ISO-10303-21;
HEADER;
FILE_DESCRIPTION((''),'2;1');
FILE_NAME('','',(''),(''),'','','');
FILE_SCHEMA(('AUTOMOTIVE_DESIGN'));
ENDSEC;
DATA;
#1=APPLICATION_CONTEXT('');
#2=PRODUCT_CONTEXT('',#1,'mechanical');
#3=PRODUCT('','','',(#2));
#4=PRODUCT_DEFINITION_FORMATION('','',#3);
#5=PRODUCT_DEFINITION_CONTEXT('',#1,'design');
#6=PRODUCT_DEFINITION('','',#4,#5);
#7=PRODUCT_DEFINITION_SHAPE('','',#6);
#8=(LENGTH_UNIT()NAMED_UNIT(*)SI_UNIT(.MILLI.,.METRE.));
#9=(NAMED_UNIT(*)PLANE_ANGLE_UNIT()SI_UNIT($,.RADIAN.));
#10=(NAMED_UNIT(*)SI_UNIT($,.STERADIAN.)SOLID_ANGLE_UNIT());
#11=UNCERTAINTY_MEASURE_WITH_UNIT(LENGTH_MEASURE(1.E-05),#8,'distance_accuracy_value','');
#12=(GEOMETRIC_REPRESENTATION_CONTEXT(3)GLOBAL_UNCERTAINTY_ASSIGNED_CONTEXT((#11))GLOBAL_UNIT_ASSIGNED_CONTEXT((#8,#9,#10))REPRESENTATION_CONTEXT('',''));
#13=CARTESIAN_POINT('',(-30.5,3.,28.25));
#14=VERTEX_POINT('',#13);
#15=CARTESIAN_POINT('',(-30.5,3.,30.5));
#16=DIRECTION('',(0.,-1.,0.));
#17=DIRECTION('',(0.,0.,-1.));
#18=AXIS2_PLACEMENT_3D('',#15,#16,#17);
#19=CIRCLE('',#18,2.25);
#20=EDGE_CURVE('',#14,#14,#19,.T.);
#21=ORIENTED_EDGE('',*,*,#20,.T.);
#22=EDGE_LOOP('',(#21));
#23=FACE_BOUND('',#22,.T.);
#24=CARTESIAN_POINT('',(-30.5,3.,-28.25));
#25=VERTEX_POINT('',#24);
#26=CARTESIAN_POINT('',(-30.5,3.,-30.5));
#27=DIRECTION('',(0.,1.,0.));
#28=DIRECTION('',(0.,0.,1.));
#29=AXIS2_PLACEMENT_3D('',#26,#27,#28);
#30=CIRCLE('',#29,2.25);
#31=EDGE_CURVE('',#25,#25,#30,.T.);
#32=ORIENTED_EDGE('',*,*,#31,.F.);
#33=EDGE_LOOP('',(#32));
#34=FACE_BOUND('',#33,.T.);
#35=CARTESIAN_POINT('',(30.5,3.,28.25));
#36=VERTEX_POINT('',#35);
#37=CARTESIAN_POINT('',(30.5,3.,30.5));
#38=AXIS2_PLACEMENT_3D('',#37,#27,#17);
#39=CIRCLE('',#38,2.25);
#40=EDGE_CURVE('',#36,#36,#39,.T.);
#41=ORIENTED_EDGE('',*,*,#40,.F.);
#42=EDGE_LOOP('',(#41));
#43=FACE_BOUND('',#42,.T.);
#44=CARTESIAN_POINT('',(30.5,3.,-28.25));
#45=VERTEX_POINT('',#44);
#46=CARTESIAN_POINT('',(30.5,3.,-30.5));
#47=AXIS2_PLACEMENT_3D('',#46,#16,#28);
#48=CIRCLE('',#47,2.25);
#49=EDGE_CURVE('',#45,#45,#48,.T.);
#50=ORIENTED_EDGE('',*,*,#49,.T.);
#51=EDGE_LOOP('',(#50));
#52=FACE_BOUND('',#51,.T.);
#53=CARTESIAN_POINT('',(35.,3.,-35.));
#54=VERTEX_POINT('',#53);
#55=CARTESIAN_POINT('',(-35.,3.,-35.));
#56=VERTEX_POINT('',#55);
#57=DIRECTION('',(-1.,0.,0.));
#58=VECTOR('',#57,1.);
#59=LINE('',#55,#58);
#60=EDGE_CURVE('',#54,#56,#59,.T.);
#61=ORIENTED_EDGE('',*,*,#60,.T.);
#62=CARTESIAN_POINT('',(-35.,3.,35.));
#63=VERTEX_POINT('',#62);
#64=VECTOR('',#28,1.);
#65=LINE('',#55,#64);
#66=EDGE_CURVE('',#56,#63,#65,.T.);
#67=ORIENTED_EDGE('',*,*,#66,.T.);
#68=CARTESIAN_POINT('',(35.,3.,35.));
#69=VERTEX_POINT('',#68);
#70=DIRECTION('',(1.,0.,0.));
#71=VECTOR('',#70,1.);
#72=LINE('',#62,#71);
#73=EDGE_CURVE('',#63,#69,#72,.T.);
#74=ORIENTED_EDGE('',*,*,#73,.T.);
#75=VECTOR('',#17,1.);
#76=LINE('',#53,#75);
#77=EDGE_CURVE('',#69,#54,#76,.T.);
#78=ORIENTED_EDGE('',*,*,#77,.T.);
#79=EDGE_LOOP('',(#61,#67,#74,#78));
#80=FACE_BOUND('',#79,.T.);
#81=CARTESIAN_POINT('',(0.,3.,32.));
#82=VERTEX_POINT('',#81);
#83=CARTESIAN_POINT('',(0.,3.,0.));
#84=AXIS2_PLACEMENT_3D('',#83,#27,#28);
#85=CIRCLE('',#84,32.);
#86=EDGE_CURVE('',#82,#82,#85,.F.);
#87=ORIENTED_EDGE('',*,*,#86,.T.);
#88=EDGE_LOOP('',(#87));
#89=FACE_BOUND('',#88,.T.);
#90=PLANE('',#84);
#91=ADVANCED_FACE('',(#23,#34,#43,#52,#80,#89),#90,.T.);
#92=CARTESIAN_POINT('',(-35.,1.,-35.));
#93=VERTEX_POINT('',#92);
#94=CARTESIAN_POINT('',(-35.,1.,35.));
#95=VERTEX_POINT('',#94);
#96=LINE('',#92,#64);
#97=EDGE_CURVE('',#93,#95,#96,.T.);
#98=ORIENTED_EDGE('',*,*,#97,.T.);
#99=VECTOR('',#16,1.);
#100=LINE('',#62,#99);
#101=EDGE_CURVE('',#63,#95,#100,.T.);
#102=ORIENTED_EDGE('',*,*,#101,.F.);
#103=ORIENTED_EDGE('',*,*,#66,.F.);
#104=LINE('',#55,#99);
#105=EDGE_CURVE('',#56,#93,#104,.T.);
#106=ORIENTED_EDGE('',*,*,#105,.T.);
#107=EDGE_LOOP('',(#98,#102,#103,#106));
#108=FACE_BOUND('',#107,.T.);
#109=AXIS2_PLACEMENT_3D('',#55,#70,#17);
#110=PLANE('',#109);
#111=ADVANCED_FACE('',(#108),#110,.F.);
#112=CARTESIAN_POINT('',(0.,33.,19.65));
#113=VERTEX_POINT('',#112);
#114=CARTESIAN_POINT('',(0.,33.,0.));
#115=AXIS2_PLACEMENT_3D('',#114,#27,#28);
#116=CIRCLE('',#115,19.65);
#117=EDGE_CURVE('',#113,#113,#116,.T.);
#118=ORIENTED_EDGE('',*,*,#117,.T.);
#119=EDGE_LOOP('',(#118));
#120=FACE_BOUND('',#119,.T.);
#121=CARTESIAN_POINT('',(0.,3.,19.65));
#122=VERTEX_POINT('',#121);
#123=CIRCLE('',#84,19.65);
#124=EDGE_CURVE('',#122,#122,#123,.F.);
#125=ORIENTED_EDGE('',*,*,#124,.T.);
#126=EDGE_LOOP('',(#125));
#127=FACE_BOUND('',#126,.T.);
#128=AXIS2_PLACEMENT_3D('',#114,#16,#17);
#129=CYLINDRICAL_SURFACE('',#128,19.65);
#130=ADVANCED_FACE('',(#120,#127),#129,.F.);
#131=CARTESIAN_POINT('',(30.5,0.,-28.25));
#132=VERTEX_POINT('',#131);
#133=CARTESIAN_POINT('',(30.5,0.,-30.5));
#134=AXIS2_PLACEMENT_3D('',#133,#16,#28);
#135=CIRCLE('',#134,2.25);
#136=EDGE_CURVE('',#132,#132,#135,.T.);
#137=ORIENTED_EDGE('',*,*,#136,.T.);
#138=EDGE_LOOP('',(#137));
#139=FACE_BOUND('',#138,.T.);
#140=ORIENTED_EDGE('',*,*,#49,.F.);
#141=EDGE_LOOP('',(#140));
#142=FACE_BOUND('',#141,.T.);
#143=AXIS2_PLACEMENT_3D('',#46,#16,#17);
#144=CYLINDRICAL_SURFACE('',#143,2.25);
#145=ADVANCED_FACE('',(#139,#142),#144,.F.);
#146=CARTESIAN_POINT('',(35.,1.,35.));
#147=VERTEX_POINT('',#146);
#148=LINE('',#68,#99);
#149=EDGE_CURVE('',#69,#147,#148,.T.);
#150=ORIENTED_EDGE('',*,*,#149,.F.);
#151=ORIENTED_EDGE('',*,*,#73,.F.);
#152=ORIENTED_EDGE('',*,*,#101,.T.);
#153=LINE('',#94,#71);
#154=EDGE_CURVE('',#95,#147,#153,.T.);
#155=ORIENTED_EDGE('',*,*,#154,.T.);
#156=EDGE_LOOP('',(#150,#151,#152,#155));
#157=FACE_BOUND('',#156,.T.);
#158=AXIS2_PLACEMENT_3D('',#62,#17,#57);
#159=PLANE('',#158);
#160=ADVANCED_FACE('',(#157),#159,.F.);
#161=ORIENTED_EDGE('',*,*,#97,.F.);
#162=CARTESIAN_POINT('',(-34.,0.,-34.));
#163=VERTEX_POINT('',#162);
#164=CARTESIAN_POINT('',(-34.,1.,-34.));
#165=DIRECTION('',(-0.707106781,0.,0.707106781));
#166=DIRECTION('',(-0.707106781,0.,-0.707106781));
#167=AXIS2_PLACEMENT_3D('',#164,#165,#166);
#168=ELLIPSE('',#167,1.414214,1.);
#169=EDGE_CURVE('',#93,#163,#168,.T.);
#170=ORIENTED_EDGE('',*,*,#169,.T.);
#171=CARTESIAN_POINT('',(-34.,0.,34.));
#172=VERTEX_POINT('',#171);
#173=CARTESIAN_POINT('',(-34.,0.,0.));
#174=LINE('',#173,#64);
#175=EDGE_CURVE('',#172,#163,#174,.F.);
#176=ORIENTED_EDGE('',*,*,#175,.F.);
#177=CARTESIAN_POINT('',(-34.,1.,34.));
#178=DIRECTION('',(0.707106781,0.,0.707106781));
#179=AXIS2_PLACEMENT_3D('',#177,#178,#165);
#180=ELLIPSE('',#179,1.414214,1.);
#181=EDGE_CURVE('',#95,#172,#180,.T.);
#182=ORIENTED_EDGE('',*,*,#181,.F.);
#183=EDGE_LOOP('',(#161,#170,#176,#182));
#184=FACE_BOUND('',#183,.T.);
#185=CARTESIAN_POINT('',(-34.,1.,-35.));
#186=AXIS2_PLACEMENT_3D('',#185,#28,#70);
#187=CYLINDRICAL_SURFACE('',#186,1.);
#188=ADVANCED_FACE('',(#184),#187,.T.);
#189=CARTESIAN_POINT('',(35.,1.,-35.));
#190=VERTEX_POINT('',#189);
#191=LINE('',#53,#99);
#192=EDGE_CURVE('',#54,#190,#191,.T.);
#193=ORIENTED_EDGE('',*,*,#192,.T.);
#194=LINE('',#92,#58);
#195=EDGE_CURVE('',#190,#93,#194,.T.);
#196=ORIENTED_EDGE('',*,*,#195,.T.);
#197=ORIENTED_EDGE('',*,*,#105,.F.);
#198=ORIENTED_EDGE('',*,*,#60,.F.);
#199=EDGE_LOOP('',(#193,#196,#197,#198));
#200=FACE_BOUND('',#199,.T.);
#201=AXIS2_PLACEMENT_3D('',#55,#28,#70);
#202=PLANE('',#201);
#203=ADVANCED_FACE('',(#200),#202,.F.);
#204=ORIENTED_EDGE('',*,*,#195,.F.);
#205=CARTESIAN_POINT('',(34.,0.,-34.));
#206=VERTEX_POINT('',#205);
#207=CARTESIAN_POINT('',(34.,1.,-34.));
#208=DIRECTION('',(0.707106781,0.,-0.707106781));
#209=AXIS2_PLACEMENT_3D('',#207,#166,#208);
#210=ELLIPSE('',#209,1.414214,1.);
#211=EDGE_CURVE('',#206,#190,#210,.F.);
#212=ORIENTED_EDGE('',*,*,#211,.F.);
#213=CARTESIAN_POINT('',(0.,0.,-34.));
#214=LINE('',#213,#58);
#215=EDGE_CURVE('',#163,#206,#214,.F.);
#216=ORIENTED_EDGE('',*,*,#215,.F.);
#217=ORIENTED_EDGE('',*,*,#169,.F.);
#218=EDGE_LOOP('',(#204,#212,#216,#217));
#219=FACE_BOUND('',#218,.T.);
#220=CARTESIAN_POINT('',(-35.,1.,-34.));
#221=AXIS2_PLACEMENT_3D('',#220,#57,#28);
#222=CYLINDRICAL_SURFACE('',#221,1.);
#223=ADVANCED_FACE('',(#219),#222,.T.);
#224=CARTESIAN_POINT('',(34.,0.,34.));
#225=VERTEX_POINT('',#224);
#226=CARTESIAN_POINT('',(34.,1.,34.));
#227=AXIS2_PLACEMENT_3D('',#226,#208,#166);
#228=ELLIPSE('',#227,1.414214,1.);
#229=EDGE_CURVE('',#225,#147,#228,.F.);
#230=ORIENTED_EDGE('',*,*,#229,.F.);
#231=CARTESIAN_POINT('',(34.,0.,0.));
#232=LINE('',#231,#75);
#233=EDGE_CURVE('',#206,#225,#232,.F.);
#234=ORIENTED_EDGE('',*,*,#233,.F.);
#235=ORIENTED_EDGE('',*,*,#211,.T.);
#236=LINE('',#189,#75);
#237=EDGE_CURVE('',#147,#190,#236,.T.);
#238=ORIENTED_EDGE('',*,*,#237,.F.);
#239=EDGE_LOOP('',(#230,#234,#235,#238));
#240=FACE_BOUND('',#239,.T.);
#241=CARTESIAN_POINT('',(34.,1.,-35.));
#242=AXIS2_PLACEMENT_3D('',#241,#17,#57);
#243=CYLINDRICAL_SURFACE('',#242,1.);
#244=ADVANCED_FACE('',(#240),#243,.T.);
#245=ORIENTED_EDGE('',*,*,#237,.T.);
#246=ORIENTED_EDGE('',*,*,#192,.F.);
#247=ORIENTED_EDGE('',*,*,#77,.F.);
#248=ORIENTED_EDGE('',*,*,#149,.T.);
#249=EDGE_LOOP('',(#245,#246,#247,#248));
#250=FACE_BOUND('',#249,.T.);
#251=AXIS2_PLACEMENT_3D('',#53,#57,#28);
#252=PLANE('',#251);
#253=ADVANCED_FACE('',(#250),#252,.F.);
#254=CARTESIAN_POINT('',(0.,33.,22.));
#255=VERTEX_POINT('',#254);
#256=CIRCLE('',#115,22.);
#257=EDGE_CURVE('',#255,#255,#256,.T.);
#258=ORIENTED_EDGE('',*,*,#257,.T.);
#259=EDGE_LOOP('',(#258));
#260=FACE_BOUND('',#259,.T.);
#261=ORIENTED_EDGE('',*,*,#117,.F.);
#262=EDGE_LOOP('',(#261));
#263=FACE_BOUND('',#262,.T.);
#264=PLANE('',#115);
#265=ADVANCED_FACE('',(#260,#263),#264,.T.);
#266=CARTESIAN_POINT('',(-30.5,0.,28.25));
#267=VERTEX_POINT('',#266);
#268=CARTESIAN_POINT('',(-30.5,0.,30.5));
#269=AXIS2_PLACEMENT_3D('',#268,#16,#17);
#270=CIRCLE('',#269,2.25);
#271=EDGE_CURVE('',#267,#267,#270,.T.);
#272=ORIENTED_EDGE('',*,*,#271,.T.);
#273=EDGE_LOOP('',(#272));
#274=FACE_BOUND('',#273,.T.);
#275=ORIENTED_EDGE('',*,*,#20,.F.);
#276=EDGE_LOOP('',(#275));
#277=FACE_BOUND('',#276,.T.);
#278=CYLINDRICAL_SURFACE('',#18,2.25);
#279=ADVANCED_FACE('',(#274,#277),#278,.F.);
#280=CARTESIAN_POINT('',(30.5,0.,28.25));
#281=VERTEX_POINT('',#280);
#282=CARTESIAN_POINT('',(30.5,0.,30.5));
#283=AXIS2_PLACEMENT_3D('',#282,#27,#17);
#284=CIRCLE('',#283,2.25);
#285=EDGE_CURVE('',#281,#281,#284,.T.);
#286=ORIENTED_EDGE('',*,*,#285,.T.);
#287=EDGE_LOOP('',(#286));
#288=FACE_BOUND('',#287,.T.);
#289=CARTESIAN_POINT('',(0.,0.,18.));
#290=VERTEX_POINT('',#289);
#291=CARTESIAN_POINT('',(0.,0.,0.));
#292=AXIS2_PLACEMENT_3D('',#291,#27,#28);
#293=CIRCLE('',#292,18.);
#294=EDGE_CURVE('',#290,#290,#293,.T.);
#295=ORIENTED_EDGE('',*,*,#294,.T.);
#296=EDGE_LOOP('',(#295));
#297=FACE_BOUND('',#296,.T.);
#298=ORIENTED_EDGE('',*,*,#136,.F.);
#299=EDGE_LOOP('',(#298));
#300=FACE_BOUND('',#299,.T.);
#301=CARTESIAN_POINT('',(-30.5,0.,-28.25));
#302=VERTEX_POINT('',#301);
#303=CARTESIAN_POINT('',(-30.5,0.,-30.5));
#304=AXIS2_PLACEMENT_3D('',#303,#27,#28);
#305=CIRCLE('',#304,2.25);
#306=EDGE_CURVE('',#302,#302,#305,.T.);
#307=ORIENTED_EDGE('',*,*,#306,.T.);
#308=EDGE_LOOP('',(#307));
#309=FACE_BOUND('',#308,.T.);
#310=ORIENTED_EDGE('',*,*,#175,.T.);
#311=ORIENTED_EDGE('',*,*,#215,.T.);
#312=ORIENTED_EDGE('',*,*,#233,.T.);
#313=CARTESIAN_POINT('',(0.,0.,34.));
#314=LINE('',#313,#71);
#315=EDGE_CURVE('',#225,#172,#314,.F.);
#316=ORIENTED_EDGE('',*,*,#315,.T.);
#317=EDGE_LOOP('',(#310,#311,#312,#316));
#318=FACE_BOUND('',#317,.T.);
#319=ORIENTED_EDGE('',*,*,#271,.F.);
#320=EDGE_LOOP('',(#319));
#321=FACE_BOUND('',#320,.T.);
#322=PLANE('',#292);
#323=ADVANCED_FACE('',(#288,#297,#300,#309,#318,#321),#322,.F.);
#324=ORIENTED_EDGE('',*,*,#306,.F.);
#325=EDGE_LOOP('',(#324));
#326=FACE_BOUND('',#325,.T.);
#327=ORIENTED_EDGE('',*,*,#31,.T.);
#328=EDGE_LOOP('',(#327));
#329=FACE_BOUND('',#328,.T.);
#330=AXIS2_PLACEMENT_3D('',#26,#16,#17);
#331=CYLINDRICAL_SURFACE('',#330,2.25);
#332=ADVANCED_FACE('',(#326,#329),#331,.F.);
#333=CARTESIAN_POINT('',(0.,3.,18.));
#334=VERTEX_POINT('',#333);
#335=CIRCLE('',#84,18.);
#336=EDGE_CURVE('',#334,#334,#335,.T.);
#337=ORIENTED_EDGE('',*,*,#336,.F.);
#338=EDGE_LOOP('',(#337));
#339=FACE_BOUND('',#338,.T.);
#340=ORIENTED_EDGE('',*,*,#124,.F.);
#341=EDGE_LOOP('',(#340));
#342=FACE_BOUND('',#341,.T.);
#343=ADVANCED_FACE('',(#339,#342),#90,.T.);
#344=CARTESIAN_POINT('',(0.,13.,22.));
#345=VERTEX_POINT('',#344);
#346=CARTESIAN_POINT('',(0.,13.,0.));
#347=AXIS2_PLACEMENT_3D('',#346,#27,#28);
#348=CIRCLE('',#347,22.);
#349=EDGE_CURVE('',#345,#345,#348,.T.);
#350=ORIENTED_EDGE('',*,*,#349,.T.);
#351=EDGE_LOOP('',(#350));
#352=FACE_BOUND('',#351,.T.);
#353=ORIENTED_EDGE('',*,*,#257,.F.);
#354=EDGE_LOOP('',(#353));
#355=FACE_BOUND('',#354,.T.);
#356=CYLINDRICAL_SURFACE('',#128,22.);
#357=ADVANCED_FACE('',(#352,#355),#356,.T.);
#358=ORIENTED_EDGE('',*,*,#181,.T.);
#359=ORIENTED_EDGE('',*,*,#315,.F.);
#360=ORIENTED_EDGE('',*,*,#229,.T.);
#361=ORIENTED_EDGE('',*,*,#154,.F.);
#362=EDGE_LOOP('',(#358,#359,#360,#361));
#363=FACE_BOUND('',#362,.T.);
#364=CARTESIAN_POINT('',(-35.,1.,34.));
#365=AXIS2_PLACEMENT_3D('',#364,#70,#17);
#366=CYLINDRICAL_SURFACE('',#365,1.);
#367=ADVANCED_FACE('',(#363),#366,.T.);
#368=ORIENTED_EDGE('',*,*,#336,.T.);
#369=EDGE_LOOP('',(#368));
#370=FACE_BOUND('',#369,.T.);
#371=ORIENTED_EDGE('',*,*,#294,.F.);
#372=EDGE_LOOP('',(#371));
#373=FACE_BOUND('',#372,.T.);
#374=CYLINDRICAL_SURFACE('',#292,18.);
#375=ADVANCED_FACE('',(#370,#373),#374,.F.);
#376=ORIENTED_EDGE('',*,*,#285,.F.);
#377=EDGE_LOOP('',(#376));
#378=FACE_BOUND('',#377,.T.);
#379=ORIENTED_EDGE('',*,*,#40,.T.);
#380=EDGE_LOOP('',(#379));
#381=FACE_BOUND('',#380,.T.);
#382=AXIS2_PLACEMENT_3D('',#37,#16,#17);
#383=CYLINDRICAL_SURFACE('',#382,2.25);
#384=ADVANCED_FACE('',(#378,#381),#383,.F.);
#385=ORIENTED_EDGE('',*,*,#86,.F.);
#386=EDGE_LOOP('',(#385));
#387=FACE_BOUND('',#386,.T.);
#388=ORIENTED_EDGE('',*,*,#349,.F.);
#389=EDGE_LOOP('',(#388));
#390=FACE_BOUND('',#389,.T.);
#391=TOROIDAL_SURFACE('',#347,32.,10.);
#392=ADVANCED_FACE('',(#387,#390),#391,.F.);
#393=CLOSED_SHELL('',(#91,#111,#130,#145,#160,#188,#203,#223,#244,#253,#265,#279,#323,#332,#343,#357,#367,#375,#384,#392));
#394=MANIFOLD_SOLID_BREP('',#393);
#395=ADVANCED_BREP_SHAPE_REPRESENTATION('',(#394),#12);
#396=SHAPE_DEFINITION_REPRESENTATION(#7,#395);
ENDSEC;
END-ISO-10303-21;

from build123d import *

# Parameters (mm, degrees)
SKETCH1_W                                  = 70
SKETCH1_H                                  = 70
BOSS_EXTRUDE1_DEPTH                        = 3
SKETCH2_R                                  = 18
CUT_EXTRUDE1_DEPTH                         = 3
SKETCH3_R                                  = 22
SKETCH3_R_2                                = 19.65
BOSS_EXTRUDE2_DEPTH                        = 30
FILLET1_R                                  = 10
SKETCH4_R                                  = 2.25
CUT_EXTRUDE2_DEPTH                         = 3
MIRROR1_AT_THE_SECOND_PLANE_COPY_1_SKETC_R = 2.25
MIRROR1_AT_THE_SECOND_PLANE_COPY_1_DEPTH   = 3
FILLET4_R                                  = 1


with BuildPart() as part:
    # Sketch1 → Boss-Extrude1 (new body)
    with BuildSketch(Plane(origin=(0, 0, 0), x_dir=(1, 0, 0), z_dir=(0, 1, 0))):
        Rectangle(SKETCH1_W, SKETCH1_H)
    extrude(amount=BOSS_EXTRUDE1_DEPTH)

    # Sketch2 → Cut-Extrude1 (cut)
    with BuildSketch(Plane(origin=(0, 3, 0), x_dir=(1, 0, 0), z_dir=(0, 1, 0))):
        Circle(SKETCH2_R)
    extrude(amount=-CUT_EXTRUDE1_DEPTH, mode=Mode.SUBTRACT)

    # Sketch3 → Boss-Extrude2 (add)
    with BuildSketch(Plane(origin=(0, 3, 0), x_dir=(1, 0, 0), z_dir=(0, 1, 0))):
        Circle(SKETCH3_R)
        Circle(SKETCH3_R_2, mode=Mode.SUBTRACT)
    extrude(amount=BOSS_EXTRUDE2_DEPTH)

    # Fillet1
    fillet1_edges = [part.edges().sort_by_distance(p)[0] for p in [
        (-22, 3, 0),
    ]]
    fillet(fillet1_edges, radius=FILLET1_R)

    # Sketch4 → Cut-Extrude2 (cut)
    with BuildSketch(Plane(origin=(0, 0, 0), x_dir=(-1, 0, 0), z_dir=(0, -1, 0))):
        with Locations((30.5, -30.5)):
            Circle(SKETCH4_R)
    cut_extrude2 = extrude(amount=-CUT_EXTRUDE2_DEPTH, mode=Mode.SUBTRACT)

    # Mirror1: Cut-Extrude2 across plane
    add(cut_extrude2.mirror(Plane(origin=(0, 0, 0), x_dir=(0, 0, 1), z_dir=(1, 0, 0))), mode=Mode.SUBTRACT)

    # Mirror1 at the second plane: Cut-Extrude2 across plane
    add(cut_extrude2.mirror(Plane.XY), mode=Mode.SUBTRACT)

    # Mirror1 at the second plane copy 1 sketc → Mirror1 at the second plane copy 1 (cut)
    with BuildSketch(Plane.XZ):
        with Locations((30.5, -30.5)):
            Circle(MIRROR1_AT_THE_SECOND_PLANE_COPY_1_SKETC_R)
    extrude(amount=-MIRROR1_AT_THE_SECOND_PLANE_COPY_1_DEPTH, mode=Mode.SUBTRACT)

    # Fillet4
    fillet4_edges = [part.edges().sort_by_distance(p)[0] for p in [
        (0, 0, 35),
        (-35, 0, 0),
        (0, 0, -35),
        (35, 0, 0),
    ]]
    fillet(fillet4_edges, radius=FILLET4_R)


solid = part.part
